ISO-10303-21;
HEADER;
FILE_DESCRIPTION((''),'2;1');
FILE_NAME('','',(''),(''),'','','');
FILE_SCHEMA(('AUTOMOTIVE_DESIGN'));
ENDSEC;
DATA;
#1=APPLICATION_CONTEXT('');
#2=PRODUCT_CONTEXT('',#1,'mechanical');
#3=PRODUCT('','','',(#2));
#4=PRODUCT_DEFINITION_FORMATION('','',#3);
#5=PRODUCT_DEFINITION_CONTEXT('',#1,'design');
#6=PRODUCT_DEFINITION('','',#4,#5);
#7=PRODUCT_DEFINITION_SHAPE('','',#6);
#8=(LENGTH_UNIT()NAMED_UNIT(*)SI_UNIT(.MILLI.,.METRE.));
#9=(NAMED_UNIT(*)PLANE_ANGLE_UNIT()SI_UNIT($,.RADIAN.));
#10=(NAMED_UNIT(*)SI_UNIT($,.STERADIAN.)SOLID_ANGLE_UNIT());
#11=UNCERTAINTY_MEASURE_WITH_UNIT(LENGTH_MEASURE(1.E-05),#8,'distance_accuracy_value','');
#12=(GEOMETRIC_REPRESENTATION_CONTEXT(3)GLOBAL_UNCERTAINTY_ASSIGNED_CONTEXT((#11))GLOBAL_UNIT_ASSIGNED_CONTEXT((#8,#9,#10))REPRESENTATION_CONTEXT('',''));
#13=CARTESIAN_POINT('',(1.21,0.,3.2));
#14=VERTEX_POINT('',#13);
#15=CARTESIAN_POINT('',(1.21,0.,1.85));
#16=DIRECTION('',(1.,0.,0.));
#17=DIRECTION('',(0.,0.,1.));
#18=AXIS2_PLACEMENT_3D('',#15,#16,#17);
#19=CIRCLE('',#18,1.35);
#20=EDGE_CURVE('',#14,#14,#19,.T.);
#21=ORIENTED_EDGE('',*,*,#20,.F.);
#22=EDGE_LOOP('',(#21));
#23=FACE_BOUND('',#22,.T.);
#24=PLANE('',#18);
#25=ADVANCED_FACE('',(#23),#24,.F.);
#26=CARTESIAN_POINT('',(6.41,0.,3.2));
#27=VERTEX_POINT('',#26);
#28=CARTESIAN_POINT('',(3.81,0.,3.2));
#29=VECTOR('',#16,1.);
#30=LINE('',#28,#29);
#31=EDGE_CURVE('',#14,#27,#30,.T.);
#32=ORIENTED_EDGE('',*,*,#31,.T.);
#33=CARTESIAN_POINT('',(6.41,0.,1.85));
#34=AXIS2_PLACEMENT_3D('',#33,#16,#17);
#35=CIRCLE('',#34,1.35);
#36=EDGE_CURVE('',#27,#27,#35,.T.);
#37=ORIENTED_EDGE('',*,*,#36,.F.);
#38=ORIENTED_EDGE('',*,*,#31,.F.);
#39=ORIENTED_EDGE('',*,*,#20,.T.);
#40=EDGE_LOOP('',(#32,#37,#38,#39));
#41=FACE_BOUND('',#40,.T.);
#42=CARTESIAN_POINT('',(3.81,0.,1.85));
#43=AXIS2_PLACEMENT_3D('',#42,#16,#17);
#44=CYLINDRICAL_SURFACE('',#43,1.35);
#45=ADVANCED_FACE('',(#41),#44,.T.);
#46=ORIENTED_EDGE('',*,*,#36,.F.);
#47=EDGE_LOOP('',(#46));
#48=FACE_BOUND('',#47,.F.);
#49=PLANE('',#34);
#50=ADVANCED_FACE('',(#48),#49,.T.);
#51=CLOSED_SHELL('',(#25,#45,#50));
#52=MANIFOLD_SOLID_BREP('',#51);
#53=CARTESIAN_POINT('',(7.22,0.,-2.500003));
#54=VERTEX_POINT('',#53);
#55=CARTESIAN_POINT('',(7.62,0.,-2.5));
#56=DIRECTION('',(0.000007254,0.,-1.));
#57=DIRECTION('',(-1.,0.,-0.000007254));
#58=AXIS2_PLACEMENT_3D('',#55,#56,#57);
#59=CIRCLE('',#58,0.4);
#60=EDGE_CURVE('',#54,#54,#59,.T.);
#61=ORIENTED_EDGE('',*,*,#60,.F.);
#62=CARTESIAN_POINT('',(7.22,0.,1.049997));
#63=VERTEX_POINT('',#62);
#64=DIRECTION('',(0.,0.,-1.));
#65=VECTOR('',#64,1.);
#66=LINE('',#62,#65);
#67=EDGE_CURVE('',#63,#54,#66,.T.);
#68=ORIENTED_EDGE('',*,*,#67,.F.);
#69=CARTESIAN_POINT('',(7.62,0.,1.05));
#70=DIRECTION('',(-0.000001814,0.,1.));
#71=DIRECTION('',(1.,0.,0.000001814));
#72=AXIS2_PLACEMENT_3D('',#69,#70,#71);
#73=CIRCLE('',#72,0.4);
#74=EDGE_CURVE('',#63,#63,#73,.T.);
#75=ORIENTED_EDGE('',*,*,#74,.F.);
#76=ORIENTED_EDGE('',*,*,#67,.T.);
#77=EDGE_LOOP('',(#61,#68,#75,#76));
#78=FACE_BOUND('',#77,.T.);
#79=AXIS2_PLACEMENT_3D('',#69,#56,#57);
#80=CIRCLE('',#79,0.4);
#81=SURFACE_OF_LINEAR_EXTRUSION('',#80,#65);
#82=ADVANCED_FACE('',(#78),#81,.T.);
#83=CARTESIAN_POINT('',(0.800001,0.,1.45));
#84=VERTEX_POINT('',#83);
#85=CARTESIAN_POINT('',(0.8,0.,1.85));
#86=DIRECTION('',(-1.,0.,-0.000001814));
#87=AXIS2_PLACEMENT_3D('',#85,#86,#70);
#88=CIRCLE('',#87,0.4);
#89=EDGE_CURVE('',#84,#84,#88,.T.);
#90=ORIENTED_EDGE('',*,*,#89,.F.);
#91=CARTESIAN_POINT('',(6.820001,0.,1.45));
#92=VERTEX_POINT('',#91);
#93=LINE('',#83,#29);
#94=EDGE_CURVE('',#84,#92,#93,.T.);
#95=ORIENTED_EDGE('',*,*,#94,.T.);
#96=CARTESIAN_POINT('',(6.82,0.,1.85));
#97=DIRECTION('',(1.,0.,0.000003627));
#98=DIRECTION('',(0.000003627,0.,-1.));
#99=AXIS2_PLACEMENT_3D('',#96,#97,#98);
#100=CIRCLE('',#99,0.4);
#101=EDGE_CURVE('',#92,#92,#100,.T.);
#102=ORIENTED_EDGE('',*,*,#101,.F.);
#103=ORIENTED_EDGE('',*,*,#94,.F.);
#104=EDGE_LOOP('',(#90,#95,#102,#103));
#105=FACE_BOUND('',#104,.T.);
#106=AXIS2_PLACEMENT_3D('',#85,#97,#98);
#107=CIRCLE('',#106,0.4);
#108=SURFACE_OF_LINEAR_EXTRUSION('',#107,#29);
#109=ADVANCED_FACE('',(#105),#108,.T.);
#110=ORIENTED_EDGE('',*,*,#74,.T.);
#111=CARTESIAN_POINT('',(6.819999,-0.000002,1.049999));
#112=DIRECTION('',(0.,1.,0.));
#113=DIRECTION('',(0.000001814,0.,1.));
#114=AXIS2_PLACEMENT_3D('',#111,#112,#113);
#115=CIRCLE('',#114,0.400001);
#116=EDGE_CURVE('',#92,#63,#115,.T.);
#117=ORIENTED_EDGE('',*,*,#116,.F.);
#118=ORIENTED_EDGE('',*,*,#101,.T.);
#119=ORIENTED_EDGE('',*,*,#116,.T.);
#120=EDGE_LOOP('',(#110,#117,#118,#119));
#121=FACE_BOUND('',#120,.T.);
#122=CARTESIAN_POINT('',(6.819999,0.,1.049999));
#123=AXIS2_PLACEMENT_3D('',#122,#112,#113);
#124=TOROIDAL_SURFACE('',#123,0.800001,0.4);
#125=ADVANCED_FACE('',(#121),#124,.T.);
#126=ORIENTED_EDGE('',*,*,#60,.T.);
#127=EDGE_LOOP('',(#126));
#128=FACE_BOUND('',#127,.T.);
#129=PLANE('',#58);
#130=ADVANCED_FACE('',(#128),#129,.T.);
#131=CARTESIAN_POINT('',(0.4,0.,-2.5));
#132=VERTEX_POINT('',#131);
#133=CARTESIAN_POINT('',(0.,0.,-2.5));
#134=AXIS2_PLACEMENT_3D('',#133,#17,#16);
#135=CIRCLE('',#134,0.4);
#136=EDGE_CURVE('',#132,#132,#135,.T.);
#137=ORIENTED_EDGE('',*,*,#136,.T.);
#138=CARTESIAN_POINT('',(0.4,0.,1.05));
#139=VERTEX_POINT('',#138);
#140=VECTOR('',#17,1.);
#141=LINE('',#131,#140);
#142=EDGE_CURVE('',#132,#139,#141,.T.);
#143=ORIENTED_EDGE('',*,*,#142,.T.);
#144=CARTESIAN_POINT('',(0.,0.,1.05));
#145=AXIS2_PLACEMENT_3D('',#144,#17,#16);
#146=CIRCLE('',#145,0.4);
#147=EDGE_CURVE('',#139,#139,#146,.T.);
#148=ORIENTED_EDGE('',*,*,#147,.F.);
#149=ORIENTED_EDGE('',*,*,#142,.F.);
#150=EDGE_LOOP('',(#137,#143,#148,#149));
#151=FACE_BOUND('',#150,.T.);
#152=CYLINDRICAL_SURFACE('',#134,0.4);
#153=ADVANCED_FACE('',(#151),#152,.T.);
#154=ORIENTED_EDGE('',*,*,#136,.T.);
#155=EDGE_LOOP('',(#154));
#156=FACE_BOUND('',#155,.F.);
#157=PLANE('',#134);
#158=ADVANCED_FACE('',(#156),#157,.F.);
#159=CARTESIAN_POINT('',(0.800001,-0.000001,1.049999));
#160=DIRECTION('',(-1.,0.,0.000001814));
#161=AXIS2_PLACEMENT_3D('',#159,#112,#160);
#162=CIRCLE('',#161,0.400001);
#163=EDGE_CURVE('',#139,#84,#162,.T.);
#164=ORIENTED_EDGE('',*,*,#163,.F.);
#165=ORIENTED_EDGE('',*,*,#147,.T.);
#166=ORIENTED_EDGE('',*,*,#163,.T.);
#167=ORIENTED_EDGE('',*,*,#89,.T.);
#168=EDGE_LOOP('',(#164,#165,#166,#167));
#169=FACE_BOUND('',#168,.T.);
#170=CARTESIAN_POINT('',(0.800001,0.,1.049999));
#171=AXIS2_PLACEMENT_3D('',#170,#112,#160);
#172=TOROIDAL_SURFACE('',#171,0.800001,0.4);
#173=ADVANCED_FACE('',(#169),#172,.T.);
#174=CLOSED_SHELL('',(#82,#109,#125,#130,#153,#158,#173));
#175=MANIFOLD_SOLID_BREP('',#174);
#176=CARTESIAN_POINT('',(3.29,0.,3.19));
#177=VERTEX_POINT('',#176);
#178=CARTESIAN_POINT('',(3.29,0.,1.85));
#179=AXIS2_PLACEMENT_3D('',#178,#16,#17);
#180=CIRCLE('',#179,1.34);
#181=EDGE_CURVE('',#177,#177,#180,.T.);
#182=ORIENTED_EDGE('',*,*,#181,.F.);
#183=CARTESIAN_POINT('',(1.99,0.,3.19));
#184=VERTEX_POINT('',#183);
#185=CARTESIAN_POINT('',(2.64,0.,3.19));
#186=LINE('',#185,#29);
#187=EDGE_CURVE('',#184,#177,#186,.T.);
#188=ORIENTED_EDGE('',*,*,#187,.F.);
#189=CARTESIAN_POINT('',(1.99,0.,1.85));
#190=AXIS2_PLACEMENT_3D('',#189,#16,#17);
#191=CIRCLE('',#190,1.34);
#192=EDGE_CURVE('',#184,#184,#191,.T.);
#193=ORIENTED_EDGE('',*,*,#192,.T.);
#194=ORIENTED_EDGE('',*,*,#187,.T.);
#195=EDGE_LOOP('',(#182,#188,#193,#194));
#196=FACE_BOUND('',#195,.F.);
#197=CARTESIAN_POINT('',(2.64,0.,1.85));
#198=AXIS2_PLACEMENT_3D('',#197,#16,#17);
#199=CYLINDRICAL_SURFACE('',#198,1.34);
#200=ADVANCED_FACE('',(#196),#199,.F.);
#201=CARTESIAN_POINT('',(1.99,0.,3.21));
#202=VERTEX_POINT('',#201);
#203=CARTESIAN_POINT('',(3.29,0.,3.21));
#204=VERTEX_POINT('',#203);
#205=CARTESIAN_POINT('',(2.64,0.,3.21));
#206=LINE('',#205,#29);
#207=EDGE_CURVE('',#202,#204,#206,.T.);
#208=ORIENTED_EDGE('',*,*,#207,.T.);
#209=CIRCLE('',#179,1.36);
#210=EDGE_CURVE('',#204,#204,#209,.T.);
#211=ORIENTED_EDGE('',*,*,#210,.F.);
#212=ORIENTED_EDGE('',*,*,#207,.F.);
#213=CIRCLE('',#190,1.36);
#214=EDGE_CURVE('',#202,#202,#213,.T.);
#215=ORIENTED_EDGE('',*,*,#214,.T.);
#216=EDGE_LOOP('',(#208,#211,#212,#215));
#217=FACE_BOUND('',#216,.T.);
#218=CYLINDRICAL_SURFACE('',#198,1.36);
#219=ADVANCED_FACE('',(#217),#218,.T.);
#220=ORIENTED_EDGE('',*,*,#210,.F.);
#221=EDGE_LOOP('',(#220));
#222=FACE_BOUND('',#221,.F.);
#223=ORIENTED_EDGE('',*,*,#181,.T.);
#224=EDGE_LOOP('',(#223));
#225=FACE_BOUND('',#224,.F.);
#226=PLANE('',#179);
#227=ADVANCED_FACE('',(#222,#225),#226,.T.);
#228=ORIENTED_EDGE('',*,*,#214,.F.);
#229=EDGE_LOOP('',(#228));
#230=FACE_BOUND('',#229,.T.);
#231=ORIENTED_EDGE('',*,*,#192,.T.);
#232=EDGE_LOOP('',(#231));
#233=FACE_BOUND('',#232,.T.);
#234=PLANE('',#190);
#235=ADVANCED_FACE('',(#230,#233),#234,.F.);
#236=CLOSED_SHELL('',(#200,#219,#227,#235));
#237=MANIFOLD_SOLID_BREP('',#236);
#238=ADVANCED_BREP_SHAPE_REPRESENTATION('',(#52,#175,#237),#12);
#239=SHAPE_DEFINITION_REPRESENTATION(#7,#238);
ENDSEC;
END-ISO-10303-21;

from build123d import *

# Parameters (mm, degrees)
SKETCH002_W = 5.2
SKETCH002_H = 1.35
SKETCH003_W = 1.3
SKETCH003_H = 0.02
SKETCH_R    = 0.4


with BuildPart() as revolution:
    # Sketch002 → Revolution (revolve)
    with BuildSketch(Plane.XZ):
        with Locations((3.81, 2.525)):
            Rectangle(SKETCH002_W, SKETCH002_H)
    revolve(axis=Axis((1.21, 0, 1.85), (1, 0, 0)))


with BuildPart() as revolution001:
    # Sketch003 → Revolution001 (revolve)
    with BuildSketch(Plane.XZ):
        with Locations((2.64, 3.2)):
            Rectangle(SKETCH003_W, SKETCH003_H)
    revolve(axis=Axis((0, 0, 1.85), (1, 0, 0)))


with BuildPart() as sweep_body:
    # Sweep: sweep along a path in Sketch001
    with BuildLine(Plane.XZ) as sweep_path:
        Line((0, -2.5), (0, 1.05))
        ThreePointArc((0, 1.05), (0.234315, 1.615685), (0.8, 1.85))
        Line((0.8, 1.85), (6.82, 1.85))
        ThreePointArc((6.82, 1.85), (7.385685, 1.615685), (7.62, 1.05))
        Line((7.62, 1.05), (7.62, -2.5))
    # Sketch → Sweep (sweep)
    with BuildSketch(Plane.XY.offset(-2)):
        Circle(SKETCH_R)
    sweep(path=sweep_path.line)


solid = Compound([revolution.part, revolution001.part, sweep_body.part])
